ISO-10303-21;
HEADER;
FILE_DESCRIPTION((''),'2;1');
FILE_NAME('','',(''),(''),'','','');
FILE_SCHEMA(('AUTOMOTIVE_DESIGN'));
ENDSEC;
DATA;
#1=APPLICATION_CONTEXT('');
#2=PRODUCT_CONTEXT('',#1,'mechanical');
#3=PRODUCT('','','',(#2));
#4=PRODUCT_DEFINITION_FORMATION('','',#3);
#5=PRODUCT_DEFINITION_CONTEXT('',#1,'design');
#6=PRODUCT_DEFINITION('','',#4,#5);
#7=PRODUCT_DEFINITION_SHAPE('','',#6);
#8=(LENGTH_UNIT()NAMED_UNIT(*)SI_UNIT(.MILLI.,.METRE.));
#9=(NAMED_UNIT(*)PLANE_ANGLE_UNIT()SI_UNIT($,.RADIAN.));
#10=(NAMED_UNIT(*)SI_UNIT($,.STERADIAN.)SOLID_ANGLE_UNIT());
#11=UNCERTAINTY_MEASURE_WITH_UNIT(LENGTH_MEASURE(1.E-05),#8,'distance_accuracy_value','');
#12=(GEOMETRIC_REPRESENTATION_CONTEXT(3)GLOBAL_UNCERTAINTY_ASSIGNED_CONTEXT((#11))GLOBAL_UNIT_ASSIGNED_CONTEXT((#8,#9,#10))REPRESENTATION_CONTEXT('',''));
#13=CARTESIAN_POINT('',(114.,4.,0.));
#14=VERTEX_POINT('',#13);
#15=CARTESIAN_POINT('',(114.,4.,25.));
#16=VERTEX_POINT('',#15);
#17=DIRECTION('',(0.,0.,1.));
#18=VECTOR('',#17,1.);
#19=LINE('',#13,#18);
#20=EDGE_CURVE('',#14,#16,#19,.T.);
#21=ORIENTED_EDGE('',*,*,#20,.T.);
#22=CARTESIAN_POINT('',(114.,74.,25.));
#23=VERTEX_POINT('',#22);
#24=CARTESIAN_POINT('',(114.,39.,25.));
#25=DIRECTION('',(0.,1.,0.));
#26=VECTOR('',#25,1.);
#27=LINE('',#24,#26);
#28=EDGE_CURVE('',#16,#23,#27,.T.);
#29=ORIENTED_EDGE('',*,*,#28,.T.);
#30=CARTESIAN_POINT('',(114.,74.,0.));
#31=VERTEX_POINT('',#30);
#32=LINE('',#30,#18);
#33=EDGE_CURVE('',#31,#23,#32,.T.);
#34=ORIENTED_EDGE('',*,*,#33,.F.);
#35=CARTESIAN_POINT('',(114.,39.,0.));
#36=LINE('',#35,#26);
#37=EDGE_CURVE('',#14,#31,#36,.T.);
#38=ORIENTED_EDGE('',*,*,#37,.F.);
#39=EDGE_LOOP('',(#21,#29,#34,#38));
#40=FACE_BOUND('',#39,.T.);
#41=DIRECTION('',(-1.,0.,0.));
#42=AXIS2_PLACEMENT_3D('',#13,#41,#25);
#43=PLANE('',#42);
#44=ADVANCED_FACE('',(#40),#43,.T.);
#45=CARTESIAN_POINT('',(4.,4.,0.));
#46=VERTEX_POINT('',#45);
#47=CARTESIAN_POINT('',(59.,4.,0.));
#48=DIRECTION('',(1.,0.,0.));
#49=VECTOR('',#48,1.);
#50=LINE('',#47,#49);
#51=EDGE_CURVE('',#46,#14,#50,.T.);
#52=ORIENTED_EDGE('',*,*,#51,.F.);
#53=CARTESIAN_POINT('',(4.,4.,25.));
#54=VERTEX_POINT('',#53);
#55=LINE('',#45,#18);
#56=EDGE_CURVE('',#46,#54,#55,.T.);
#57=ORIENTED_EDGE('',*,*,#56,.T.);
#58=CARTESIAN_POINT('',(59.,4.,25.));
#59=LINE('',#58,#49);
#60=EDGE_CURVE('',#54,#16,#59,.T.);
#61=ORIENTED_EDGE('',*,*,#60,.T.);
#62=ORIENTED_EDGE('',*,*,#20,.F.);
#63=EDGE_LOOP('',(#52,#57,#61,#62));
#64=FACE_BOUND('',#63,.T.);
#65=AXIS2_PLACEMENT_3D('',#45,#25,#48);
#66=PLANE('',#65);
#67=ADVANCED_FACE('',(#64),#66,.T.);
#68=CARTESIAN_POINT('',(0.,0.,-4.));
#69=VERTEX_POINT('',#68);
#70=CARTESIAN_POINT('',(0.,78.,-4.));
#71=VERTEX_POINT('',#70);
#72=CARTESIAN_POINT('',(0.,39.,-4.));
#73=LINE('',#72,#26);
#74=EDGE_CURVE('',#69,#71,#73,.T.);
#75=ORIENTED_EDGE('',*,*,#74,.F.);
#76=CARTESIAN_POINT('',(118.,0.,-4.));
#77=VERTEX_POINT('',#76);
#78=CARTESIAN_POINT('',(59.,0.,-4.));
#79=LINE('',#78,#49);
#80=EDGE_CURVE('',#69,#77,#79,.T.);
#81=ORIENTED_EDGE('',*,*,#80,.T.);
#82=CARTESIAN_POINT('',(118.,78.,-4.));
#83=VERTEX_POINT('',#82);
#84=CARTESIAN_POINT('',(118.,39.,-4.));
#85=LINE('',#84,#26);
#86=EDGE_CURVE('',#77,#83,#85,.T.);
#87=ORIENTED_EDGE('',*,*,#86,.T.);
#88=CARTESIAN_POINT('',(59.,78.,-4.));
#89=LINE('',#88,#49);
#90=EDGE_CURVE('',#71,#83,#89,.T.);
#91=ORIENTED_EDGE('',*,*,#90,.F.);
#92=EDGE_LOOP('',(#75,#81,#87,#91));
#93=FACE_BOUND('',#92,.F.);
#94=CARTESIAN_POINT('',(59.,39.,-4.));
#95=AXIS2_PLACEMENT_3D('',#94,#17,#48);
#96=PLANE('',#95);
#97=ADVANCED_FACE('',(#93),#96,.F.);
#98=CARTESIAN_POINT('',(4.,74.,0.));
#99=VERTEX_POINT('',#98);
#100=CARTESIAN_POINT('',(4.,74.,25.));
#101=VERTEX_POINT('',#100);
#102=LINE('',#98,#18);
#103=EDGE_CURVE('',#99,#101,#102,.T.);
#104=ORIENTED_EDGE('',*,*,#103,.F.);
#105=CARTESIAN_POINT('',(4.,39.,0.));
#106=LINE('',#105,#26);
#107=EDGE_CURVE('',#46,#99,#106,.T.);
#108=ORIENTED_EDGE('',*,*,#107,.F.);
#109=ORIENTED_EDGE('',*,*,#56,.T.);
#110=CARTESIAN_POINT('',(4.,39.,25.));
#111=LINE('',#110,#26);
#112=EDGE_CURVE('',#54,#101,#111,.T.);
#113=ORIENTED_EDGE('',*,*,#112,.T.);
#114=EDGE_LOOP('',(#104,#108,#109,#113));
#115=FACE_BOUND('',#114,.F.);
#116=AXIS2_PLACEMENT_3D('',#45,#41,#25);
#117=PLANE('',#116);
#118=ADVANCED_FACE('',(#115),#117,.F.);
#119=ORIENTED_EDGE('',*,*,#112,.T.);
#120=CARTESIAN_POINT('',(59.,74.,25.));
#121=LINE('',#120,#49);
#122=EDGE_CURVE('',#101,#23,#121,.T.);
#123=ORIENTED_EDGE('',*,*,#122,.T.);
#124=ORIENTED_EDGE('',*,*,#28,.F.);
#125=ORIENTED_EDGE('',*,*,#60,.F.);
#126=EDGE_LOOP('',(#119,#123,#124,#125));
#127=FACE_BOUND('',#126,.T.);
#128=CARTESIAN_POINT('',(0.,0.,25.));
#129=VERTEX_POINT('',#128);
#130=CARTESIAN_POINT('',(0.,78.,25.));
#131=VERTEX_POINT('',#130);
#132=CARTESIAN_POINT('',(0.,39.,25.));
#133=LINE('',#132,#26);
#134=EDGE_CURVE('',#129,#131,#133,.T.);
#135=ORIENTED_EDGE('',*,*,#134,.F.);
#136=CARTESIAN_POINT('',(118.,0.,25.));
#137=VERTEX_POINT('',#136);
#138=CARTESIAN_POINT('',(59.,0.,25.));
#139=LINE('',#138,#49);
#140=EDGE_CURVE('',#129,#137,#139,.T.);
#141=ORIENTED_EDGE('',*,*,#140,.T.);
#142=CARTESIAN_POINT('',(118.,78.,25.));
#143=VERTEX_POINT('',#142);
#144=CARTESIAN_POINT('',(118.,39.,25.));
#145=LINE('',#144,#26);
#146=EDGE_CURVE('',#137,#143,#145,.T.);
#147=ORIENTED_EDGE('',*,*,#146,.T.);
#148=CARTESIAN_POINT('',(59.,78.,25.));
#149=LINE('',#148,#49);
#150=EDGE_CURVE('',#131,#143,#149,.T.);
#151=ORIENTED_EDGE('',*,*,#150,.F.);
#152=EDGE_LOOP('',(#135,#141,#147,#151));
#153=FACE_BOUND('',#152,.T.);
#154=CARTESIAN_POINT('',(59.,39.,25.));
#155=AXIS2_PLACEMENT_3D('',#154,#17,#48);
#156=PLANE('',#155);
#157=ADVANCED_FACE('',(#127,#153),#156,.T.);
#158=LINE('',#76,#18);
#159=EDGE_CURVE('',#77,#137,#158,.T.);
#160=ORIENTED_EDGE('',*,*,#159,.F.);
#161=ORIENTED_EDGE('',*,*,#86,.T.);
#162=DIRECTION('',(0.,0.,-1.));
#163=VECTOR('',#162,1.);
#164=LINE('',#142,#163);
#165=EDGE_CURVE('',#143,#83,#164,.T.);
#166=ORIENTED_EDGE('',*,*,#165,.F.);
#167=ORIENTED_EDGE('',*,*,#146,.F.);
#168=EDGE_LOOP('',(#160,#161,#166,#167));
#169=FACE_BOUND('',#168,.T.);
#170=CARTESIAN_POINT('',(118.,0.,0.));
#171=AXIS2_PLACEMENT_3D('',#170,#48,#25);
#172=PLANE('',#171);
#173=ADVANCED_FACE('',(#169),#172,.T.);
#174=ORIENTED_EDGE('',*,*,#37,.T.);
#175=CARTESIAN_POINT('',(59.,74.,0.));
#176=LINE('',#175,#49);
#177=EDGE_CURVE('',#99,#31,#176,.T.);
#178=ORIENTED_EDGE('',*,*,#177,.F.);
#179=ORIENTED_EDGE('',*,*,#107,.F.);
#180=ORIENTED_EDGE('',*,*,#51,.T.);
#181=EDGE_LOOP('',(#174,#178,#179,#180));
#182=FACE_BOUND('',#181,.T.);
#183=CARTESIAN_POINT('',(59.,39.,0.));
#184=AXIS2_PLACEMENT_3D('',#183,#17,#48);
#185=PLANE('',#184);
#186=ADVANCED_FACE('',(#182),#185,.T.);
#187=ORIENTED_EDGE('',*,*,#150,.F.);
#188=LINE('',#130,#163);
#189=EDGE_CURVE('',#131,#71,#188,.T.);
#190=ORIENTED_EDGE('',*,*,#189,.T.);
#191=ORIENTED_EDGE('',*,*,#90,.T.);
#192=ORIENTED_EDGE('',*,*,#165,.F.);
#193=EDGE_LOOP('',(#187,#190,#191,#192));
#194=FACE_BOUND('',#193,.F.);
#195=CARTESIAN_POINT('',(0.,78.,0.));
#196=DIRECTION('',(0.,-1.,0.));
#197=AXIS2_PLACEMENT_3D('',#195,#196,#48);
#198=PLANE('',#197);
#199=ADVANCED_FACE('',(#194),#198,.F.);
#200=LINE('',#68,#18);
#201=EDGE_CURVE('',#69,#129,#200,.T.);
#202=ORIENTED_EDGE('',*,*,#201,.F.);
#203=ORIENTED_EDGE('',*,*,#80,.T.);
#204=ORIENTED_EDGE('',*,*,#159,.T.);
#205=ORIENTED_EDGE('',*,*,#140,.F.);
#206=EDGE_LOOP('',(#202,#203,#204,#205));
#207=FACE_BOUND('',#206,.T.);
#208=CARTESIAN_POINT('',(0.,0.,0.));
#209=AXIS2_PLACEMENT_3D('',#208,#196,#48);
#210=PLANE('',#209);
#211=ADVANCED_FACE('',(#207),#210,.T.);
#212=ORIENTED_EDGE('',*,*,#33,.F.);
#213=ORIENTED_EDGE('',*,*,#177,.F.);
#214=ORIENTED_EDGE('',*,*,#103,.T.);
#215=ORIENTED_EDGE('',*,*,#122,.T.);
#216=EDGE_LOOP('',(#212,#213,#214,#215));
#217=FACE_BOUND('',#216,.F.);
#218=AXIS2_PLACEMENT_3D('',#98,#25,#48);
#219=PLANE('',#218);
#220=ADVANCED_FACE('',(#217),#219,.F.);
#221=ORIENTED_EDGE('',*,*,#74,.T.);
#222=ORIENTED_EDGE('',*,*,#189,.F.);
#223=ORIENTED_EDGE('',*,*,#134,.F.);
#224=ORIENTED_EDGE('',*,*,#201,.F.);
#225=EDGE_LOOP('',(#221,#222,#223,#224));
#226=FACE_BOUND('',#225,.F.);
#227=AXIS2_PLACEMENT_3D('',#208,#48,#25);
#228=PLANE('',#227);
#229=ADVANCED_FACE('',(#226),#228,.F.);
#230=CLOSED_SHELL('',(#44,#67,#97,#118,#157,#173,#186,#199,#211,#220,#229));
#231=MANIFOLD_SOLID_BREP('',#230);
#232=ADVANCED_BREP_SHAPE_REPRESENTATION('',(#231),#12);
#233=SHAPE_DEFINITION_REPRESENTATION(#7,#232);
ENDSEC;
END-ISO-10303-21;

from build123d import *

# Parameters (mm, degrees)
F0_W     = 118
F0_H     = 78
F0_W_2   = 110
F0_H_2   = 70
F1_DEPTH = 25
F2_DEPTH = 4


with BuildPart() as f1:
    # F0 (on Top) → F1 (new body)
    with BuildSketch(Plane.XY):
        with Locations((59, 39)):
            Rectangle(F0_W, F0_H)
        with Locations((59, 39)):
            Rectangle(F0_W_2, F0_H_2, mode=Mode.SUBTRACT)
    extrude(amount=F1_DEPTH)

    # F0 (on Top) → F2 (join)
    with BuildSketch(Plane.XY):
        with Locations((59, 39)):
            Rectangle(F0_W, F0_H)
        with Locations((59, 39)):
            Rectangle(F0_W_2, F0_H_2, mode=Mode.SUBTRACT)
        with Locations((59, 39)):
            Rectangle(F0_W_2, F0_H_2)
    extrude(amount=-F2_DEPTH)


solid = f1.part
